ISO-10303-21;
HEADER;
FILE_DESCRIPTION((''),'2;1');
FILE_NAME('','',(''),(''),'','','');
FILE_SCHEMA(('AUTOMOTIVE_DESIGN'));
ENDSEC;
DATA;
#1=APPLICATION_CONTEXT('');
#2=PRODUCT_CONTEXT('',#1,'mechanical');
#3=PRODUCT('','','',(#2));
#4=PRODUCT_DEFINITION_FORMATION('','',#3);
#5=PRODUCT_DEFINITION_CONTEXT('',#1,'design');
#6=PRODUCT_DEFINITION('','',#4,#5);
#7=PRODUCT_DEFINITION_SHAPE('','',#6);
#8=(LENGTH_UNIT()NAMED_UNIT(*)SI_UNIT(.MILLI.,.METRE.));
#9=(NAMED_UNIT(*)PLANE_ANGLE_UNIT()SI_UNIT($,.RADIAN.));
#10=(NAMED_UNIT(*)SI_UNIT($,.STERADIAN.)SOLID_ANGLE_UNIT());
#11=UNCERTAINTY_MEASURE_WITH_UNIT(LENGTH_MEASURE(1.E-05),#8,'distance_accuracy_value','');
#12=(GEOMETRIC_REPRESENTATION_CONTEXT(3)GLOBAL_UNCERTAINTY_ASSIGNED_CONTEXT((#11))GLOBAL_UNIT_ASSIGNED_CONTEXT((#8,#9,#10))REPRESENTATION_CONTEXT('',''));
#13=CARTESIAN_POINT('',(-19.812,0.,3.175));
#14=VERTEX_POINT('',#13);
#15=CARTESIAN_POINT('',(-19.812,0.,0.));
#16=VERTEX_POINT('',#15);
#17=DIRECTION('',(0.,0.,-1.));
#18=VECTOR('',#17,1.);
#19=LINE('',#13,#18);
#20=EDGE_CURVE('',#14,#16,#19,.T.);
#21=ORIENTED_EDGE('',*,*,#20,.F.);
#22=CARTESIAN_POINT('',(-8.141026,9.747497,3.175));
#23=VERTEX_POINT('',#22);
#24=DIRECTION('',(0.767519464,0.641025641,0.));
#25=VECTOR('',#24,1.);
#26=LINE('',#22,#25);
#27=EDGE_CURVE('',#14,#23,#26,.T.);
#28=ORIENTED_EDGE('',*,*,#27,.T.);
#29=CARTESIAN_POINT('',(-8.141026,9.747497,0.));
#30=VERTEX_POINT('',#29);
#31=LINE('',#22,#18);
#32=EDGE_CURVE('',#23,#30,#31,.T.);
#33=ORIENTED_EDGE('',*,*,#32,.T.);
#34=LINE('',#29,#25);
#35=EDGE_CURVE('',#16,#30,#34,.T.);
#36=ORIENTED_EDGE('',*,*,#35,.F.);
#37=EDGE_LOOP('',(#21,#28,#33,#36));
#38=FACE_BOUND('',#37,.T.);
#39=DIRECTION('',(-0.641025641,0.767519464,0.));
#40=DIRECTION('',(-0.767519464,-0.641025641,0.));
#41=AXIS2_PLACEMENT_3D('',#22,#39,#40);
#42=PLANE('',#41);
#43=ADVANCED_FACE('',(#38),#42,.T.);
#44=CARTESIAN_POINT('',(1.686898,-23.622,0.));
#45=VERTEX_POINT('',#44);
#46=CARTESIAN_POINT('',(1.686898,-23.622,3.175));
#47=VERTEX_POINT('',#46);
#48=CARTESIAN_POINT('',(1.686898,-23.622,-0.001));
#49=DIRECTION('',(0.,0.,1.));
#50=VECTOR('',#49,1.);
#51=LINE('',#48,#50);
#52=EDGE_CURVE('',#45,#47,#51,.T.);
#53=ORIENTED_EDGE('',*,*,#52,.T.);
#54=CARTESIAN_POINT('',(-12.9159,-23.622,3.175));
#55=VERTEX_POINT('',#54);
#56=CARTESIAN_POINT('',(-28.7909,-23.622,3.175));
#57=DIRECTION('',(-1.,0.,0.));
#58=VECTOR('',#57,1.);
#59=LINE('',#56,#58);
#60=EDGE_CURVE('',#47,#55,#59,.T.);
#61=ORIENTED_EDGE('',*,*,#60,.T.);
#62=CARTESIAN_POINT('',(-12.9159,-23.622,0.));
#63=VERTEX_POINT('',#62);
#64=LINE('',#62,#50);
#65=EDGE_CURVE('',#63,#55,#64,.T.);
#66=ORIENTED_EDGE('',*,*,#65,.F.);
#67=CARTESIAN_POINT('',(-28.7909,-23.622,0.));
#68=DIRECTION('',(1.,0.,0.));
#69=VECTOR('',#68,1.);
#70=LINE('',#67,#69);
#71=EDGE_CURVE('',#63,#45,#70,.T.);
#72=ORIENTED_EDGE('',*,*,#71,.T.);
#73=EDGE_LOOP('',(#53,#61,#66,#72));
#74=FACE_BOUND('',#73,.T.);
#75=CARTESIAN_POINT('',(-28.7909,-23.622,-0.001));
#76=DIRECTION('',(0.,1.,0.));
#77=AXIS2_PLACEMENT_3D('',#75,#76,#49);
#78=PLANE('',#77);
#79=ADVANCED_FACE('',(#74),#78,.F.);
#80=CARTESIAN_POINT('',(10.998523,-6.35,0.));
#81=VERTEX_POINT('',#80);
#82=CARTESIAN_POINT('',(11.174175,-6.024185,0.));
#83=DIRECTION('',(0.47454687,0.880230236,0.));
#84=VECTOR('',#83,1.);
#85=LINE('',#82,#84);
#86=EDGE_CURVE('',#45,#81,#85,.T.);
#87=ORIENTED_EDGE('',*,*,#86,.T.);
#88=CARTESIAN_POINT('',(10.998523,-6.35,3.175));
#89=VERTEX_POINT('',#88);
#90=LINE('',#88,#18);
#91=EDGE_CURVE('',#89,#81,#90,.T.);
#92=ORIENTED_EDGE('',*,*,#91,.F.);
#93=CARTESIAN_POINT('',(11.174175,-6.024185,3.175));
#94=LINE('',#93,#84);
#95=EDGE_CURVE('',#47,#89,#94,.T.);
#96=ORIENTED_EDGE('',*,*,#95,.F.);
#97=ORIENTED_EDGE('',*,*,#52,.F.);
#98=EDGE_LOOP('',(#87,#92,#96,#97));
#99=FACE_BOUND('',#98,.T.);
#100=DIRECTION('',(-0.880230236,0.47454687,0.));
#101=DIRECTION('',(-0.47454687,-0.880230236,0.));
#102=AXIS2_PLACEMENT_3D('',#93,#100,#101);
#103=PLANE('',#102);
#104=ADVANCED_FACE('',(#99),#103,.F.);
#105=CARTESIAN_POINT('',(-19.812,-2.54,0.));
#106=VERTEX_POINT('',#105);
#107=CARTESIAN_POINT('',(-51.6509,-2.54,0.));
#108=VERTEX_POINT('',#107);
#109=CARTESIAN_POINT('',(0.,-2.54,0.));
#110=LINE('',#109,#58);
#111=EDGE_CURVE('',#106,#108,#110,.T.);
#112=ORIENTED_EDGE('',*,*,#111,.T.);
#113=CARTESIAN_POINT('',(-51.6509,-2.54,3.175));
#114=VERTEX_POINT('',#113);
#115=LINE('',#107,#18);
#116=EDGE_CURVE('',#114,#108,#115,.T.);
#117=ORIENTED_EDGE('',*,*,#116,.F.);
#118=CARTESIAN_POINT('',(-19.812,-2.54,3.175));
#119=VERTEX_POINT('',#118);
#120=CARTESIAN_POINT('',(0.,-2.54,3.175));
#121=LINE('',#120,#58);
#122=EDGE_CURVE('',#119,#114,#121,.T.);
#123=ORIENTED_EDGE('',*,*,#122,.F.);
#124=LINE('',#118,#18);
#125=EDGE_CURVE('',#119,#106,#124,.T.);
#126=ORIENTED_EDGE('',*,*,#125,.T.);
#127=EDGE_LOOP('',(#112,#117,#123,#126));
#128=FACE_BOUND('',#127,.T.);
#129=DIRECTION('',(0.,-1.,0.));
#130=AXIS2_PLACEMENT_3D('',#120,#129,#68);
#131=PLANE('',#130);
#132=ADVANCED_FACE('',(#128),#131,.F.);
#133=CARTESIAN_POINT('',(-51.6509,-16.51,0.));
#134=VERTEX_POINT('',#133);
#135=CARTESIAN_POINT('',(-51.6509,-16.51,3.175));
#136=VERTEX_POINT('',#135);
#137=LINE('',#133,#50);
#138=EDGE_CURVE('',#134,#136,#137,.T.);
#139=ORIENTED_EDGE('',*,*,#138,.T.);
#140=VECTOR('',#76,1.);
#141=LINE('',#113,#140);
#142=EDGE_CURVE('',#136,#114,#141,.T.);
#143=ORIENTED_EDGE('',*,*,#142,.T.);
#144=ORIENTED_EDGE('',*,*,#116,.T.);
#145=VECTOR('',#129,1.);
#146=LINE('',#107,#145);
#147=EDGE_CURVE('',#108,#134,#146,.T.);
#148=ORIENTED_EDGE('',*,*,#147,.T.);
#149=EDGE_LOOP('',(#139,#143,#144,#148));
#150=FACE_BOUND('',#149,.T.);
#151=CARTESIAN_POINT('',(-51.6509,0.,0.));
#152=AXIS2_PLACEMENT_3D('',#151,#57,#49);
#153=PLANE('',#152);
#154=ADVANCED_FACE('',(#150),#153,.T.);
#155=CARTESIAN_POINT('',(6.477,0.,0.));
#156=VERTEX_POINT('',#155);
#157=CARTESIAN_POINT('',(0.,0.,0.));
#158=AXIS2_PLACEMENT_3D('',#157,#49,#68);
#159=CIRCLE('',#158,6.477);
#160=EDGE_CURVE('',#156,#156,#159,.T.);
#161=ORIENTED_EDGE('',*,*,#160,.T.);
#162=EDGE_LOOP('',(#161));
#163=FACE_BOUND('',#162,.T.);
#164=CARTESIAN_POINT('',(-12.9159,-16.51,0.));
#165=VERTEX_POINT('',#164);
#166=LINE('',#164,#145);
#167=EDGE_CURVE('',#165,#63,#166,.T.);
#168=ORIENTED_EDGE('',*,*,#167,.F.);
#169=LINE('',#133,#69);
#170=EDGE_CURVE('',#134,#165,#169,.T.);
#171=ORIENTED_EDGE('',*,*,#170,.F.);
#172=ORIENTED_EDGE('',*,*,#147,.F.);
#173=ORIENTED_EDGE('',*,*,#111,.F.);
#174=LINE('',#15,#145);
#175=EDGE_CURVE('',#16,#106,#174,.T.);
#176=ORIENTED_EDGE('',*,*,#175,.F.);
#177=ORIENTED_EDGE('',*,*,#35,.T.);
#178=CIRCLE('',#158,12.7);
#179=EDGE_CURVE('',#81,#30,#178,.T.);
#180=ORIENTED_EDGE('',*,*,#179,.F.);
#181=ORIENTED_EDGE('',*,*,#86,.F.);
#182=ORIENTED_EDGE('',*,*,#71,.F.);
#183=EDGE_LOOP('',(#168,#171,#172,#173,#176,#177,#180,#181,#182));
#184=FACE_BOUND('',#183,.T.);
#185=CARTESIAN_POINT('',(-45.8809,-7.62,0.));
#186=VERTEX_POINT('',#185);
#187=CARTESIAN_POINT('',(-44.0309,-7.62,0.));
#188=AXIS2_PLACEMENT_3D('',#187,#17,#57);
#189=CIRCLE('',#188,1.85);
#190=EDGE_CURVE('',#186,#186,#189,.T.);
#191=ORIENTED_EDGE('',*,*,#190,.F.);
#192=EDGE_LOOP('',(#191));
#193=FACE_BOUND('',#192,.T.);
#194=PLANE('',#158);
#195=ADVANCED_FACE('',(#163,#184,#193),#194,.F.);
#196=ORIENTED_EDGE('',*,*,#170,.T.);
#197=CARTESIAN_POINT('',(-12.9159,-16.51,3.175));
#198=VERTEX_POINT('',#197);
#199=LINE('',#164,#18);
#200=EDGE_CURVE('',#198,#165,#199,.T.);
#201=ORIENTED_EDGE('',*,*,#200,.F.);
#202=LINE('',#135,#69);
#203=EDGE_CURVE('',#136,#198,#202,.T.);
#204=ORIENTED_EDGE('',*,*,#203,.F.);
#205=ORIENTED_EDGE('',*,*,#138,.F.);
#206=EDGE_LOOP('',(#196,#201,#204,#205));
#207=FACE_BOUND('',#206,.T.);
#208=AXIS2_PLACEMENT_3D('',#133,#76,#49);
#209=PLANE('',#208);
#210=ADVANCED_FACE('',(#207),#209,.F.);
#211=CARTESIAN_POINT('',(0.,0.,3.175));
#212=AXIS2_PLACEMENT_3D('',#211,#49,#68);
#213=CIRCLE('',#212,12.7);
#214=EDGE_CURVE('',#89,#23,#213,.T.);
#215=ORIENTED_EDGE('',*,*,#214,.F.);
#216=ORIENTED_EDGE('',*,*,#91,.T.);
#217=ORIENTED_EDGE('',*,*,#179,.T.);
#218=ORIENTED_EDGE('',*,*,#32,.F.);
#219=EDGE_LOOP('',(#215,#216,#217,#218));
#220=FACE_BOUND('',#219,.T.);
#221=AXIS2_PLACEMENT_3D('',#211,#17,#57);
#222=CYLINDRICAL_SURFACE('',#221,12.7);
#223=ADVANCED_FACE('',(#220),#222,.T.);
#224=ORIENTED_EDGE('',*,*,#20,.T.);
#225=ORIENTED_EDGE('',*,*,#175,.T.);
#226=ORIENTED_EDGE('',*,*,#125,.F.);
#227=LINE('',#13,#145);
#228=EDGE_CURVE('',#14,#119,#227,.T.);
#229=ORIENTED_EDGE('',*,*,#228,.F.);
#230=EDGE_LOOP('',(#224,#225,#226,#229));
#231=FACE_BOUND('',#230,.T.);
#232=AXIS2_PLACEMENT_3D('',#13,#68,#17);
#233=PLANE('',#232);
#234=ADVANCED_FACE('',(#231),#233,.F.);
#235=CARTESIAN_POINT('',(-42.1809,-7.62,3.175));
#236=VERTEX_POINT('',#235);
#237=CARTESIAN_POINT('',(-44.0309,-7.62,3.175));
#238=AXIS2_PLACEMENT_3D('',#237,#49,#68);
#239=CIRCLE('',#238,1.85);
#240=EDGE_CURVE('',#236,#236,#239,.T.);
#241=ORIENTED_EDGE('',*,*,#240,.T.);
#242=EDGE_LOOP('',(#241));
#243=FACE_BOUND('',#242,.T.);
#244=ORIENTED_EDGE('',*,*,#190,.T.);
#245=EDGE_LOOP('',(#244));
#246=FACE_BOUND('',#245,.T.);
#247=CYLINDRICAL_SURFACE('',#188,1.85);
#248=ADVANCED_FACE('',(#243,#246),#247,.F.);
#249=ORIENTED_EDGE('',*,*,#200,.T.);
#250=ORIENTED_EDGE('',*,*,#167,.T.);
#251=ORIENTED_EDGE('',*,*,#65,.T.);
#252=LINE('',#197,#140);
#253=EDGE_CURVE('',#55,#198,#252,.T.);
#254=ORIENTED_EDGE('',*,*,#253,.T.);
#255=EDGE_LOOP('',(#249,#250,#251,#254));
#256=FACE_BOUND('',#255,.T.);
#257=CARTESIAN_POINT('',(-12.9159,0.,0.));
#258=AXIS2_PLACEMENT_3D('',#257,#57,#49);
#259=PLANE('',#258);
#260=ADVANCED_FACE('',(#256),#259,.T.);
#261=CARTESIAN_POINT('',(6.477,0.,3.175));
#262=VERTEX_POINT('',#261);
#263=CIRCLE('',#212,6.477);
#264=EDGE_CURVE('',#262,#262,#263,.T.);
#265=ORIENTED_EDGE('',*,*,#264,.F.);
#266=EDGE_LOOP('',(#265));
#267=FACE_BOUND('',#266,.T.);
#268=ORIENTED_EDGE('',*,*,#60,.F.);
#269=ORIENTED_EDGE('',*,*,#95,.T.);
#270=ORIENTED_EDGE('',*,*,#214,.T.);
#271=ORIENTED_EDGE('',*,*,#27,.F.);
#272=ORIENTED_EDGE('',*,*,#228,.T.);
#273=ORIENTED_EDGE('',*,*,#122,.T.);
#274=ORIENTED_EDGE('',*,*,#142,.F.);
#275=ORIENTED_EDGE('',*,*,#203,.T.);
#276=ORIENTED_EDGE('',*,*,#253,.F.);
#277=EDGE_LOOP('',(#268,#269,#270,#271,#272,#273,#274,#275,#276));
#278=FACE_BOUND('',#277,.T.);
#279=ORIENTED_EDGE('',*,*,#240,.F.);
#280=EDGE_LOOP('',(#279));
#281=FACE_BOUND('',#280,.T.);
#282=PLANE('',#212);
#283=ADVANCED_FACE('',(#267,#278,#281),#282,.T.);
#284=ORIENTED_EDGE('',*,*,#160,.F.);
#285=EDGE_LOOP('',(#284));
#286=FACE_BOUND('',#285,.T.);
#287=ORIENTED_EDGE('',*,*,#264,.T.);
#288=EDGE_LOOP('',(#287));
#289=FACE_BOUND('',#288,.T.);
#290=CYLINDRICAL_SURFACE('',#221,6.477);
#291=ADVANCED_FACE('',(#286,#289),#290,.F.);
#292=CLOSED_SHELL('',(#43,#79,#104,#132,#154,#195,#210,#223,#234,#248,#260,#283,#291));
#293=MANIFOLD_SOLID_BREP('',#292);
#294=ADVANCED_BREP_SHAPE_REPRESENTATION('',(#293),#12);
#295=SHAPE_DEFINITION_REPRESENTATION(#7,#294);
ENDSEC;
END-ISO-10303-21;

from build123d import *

# Parameters (mm, degrees)
SKETCH1_R                = 6.477
BOSS_EXTRUDE1_DEPTH      = 3.175
CUT_EXTRUDE1_REACH       = 71.794
SKETCH2_W                = 36.544437467
SKETCH2_H                = 39.878
SKETCH3_W                = 3.175
SKETCH3_H                = 13.97
BOSS_EXTRUDE2_DEPTH      = 22.86
M3_CLEARANCE_HOLE1_D     = 3.7
M3_CLEARANCE_HOLE1_DEPTH = 25.4
M3_CLEARANCE_HOLE1_TIP   = 1.111592145
SKETCH7_W                = 3.175
SKETCH7_H                = 7.112
CUT_EXTRUDE2_DEPTH       = 15.875


with BuildPart() as part:
    # Sketch1 → Boss-Extrude1 (new body)
    with BuildSketch(Plane.XY):
        with BuildLine():
            Line((-8.141025641, 9.747497192), (-19.812, 0))
            Line((-19.812, 0), (-19.812, -2.54))
            Line((-19.812, -2.54), (-28.7909, -2.54))
            Line((-28.7909, -2.54), (-28.7909, -63.5))
            Line((-28.7909, -63.5), (-19.812, -63.5))
            Line((-19.812, -63.5), (10.998522628, -6.35))
            ThreePointArc((10.998522628, -6.35), (8.174574987, 9.719378775), (-8.141025641, 9.747497192))
        make_face()
        Circle(SKETCH1_R, mode=Mode.SUBTRACT)
    extrude(amount=BOSS_EXTRUDE1_DEPTH)

    # Sketch2 → Cut-Extrude1 (cut, up to next)
    with BuildSketch(Plane.XY.offset(3.175), mode=Mode.PRIVATE) as cut_extrude1_sk1:
        with Locations((-10.518681266, -43.561)):
            Rectangle(SKETCH2_W, SKETCH2_H)
    cut_extrude1_tool1 = extrude(cut_extrude1_sk1.sketch, amount=-CUT_EXTRUDE1_REACH, mode=Mode.PRIVATE) & part.part
    add(cut_extrude1_tool1.solids().sort_by_distance((-10.518681, -43.561, 3.175))[0], mode=Mode.SUBTRACT)

    # Sketch3 → Boss-Extrude2 (add)
    with BuildSketch(Plane.ZY.offset(28.7909)):
        with Locations((1.5875, -9.525)):
            Rectangle(SKETCH3_W, SKETCH3_H)
    extrude(amount=BOSS_EXTRUDE2_DEPTH)

    # M3 Clearance Hole1
    with Locations(Plane(origin=(0, 0, 0), x_dir=(-1, 0, 0), z_dir=(0, 0, -1))):
        with Locations((44.0309, -7.62)):
            Hole(M3_CLEARANCE_HOLE1_D / 2, depth=M3_CLEARANCE_HOLE1_DEPTH)
            with Locations((0, 0, -(M3_CLEARANCE_HOLE1_DEPTH + M3_CLEARANCE_HOLE1_TIP / 2))):  # 118° drill point
                Cone(0, M3_CLEARANCE_HOLE1_D / 2, M3_CLEARANCE_HOLE1_TIP, mode=Mode.SUBTRACT)

    # Sketch7 → Cut-Extrude2 (cut)
    with BuildSketch(Plane.ZY.offset(28.7909)):
        with Locations((1.5875, -20.066)):
            Rectangle(SKETCH7_W, SKETCH7_H)
    extrude(amount=-CUT_EXTRUDE2_DEPTH, mode=Mode.SUBTRACT)


solid = part.part
